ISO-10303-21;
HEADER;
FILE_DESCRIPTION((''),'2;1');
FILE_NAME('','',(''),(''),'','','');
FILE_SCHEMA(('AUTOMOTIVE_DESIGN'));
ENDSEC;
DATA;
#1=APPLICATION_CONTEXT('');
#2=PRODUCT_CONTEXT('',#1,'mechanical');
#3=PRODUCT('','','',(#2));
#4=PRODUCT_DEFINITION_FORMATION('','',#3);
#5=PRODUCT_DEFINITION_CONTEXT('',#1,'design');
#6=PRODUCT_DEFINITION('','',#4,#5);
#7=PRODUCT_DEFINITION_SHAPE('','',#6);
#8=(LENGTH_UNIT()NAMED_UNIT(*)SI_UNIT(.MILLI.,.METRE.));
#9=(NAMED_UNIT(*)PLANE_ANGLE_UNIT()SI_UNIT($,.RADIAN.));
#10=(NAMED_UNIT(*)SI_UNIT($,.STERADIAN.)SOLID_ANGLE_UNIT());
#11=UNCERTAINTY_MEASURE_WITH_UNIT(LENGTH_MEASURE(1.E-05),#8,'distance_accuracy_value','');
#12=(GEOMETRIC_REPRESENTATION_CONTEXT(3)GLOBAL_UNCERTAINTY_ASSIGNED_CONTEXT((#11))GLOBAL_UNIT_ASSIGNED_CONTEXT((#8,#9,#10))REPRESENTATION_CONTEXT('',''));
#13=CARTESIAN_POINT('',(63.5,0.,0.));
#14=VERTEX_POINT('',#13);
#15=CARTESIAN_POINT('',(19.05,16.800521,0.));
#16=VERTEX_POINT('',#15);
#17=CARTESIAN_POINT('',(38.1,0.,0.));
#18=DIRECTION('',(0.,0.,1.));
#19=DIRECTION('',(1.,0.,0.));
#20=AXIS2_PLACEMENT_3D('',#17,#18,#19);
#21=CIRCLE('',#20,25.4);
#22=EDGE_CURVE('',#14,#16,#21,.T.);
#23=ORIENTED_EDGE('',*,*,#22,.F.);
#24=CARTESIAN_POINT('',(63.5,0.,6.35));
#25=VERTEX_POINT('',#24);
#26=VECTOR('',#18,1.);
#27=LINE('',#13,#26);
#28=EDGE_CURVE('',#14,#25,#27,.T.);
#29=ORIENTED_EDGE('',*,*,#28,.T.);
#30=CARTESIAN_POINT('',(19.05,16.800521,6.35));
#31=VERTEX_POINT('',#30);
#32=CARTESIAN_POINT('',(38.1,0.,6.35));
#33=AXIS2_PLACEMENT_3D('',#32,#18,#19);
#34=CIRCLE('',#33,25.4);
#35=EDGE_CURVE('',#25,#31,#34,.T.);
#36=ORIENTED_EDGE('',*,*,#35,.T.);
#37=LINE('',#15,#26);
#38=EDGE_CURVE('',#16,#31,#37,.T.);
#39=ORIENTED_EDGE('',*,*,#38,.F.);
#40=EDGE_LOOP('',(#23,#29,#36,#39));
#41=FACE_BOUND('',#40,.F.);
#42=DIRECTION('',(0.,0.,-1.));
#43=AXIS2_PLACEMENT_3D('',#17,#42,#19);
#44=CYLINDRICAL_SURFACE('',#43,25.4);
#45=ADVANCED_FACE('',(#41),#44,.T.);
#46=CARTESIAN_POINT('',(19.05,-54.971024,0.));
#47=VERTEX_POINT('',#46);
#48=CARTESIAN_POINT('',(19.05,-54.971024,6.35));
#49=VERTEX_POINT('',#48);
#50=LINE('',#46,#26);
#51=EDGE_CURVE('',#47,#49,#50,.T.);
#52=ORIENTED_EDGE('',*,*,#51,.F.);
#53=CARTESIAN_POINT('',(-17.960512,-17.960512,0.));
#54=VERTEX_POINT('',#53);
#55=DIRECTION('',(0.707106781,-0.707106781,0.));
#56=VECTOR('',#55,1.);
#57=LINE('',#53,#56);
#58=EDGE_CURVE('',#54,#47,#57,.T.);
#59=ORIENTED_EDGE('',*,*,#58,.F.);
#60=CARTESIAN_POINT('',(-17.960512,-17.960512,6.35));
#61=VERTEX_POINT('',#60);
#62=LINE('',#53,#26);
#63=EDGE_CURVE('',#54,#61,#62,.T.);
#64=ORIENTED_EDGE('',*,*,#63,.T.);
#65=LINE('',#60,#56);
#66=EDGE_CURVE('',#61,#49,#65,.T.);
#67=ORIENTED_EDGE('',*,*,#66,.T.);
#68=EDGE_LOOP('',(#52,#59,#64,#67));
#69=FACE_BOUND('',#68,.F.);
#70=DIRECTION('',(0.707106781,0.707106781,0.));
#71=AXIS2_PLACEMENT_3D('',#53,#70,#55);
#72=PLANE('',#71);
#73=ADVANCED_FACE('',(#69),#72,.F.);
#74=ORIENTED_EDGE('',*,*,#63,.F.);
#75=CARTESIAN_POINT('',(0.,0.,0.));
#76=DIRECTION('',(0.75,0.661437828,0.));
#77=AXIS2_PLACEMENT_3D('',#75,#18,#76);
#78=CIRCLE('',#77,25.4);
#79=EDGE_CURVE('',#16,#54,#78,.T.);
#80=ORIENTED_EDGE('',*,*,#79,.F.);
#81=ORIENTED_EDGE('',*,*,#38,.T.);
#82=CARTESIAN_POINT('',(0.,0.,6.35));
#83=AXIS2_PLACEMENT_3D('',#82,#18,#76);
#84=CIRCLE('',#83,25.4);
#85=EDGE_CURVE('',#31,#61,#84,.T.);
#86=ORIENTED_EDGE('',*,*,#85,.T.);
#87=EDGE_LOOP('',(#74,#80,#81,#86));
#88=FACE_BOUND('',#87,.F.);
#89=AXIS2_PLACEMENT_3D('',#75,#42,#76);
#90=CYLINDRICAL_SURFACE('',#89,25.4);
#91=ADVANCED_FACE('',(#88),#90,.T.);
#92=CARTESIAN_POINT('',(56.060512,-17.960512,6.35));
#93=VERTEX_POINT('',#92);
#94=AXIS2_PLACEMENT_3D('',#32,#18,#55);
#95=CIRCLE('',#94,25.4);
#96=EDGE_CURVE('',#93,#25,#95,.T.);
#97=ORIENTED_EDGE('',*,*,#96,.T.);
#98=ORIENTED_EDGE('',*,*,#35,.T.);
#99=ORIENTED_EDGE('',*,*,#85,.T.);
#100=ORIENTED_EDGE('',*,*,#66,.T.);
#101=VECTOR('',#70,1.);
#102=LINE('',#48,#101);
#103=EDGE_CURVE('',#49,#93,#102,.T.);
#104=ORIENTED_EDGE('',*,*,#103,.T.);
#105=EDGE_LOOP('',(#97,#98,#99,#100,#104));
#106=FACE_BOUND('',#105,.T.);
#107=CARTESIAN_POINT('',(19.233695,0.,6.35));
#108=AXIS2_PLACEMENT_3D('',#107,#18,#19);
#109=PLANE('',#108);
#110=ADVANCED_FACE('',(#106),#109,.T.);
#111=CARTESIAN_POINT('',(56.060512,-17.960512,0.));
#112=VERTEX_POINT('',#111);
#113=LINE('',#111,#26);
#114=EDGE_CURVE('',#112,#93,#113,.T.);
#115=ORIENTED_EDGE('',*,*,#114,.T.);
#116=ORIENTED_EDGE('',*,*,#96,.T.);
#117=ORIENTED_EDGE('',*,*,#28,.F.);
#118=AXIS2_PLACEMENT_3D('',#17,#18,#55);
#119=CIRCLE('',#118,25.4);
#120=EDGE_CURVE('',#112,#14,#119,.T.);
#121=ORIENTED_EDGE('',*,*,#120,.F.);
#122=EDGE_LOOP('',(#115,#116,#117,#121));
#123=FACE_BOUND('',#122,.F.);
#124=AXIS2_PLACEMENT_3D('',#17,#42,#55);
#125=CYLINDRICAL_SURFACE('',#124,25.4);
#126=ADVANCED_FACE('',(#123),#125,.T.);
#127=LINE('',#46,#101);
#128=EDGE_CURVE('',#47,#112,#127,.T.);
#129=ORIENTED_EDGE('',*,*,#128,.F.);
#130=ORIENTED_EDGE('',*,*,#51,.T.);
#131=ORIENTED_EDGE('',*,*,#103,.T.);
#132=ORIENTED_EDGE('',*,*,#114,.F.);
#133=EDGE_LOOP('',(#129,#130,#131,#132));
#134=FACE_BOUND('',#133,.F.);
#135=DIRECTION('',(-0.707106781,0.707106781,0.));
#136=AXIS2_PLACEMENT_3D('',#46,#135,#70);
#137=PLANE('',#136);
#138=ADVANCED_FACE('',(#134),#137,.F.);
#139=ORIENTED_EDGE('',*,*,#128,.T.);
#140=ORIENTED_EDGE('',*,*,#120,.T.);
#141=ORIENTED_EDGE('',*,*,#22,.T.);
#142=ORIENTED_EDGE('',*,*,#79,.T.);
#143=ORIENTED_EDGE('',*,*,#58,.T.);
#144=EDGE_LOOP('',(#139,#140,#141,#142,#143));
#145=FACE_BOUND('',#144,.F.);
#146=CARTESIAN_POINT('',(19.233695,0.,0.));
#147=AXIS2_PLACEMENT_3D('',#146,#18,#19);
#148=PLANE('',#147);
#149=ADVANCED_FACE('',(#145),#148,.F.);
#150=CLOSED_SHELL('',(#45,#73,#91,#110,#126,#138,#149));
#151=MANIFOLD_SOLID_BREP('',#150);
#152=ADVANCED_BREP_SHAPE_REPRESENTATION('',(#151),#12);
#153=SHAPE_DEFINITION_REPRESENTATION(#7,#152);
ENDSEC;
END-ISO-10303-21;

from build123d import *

# Parameters (mm, degrees)
F1_DEPTH = 6.35


with BuildPart() as f1:
    # F0 (on Top) → F1 (new body)
    with BuildSketch(Plane.XY):
        with BuildLine():
            ThreePointArc((19.05, -16.8005208253), (23.759524406, -8.9802561211), (25.4, 0))
            ThreePointArc((25.4, 0), (23.759524406, 8.9802561211), (19.05, 16.8005208253))
            ThreePointArc((19.05, 16.8005208253), (12.7, 0), (19.05, -16.8005208253))
        make_face()
        with BuildLine():
            ThreePointArc((19.05, 16.8005208253), (23.759524406, 8.9802561211), (25.4, 0))
            ThreePointArc((25.4, 0), (23.759524406, -8.9802561211), (19.05, -16.8005208253))
            ThreePointArc((19.05, -16.8005208253), (37.3042984759, -25.3875335368), (56.0605122421, -17.9605122421))
            ThreePointArc((56.0605122421, -17.9605122421), (61.5665401258, -9.7201591821), (63.5, 0))
            ThreePointArc((63.5, 0), (47.0802561211, 23.759524406), (19.05, 16.8005208253))
        make_face()
        with BuildLine():
            ThreePointArc((19.05, -16.8005208253), (12.7, 0), (19.05, 16.8005208253))
            ThreePointArc((19.05, 16.8005208253), (-17.389051178, 18.514343065), (-17.9605122421, -17.9605122421))
            ThreePointArc((-17.9605122421, -17.9605122421), (0.7957015241, -25.3875335368), (19.05, -16.8005208253))
        make_face()
        with BuildLine():
            ThreePointArc((56.0605122421, -17.9605122421), (37.3042984759, -25.3875335368), (19.05, -16.8005208253))
            ThreePointArc((19.05, -16.8005208253), (0.7957015241, -25.3875335368), (-17.9605122421, -17.9605122421))
            Line((-17.9605122421, -17.9605122421), (19.05, -54.9710244843))
            Line((19.05, -54.9710244843), (56.0605122421, -17.9605122421))
        make_face()
    extrude(amount=F1_DEPTH)


solid = f1.part
